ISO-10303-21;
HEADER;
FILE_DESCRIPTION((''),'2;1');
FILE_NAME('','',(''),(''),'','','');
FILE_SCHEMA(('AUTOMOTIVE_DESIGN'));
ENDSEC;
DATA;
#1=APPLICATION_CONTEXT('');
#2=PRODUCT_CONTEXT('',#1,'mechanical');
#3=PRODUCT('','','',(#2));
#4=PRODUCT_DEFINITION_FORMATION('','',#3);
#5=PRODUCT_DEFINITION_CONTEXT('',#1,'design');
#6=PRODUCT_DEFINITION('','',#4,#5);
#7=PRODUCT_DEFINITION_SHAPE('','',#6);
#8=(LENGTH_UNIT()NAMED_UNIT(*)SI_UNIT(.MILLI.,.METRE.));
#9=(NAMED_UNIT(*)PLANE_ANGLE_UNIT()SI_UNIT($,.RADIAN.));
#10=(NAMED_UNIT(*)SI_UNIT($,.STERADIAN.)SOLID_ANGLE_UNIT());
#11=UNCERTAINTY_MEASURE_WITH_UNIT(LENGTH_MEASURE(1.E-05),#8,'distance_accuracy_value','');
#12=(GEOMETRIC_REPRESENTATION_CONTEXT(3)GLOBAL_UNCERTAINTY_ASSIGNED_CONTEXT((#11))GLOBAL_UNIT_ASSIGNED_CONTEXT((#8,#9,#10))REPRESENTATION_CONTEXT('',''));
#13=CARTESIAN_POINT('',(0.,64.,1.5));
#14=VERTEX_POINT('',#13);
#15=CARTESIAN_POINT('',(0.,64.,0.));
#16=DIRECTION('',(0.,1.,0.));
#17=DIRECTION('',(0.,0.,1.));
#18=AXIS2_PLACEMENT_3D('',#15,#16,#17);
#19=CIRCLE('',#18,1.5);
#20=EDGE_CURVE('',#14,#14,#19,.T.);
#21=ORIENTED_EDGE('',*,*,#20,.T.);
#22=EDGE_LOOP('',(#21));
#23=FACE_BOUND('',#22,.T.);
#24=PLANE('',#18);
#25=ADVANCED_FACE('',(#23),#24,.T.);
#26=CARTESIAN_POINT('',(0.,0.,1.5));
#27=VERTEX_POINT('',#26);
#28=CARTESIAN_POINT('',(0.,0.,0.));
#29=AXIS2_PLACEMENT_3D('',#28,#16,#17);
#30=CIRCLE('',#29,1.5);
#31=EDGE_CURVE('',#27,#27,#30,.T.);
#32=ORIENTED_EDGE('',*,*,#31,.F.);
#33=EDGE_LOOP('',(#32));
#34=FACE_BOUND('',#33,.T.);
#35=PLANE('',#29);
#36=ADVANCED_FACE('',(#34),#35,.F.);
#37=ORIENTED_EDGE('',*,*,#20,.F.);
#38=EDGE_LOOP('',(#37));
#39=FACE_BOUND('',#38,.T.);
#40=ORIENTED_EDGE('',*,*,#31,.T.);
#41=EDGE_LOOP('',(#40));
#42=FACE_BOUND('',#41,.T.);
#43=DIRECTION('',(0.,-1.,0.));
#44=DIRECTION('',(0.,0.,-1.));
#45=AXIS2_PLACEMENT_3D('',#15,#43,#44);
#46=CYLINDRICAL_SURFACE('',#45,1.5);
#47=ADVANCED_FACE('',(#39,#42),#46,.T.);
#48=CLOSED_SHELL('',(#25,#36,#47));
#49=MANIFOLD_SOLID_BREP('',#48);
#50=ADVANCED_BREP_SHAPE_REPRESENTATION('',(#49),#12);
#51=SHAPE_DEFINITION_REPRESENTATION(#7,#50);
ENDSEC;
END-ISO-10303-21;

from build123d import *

# Parameters (mm, degrees)
SKETCH_1_R      = 1.5
EXTRUDE_1_DEPTH = 64


with BuildPart() as part:
    # 草图1 → 凸台-拉伸1 (new body)
    with BuildSketch(Plane(origin=(0, 0, 0), x_dir=(1, 0, 0), z_dir=(0, 1, 0))):
        with Locations(Location((0, 0, 0), (0, 0, 270))):
            Circle(SKETCH_1_R)
    extrude(amount=EXTRUDE_1_DEPTH)


solid = part.part
